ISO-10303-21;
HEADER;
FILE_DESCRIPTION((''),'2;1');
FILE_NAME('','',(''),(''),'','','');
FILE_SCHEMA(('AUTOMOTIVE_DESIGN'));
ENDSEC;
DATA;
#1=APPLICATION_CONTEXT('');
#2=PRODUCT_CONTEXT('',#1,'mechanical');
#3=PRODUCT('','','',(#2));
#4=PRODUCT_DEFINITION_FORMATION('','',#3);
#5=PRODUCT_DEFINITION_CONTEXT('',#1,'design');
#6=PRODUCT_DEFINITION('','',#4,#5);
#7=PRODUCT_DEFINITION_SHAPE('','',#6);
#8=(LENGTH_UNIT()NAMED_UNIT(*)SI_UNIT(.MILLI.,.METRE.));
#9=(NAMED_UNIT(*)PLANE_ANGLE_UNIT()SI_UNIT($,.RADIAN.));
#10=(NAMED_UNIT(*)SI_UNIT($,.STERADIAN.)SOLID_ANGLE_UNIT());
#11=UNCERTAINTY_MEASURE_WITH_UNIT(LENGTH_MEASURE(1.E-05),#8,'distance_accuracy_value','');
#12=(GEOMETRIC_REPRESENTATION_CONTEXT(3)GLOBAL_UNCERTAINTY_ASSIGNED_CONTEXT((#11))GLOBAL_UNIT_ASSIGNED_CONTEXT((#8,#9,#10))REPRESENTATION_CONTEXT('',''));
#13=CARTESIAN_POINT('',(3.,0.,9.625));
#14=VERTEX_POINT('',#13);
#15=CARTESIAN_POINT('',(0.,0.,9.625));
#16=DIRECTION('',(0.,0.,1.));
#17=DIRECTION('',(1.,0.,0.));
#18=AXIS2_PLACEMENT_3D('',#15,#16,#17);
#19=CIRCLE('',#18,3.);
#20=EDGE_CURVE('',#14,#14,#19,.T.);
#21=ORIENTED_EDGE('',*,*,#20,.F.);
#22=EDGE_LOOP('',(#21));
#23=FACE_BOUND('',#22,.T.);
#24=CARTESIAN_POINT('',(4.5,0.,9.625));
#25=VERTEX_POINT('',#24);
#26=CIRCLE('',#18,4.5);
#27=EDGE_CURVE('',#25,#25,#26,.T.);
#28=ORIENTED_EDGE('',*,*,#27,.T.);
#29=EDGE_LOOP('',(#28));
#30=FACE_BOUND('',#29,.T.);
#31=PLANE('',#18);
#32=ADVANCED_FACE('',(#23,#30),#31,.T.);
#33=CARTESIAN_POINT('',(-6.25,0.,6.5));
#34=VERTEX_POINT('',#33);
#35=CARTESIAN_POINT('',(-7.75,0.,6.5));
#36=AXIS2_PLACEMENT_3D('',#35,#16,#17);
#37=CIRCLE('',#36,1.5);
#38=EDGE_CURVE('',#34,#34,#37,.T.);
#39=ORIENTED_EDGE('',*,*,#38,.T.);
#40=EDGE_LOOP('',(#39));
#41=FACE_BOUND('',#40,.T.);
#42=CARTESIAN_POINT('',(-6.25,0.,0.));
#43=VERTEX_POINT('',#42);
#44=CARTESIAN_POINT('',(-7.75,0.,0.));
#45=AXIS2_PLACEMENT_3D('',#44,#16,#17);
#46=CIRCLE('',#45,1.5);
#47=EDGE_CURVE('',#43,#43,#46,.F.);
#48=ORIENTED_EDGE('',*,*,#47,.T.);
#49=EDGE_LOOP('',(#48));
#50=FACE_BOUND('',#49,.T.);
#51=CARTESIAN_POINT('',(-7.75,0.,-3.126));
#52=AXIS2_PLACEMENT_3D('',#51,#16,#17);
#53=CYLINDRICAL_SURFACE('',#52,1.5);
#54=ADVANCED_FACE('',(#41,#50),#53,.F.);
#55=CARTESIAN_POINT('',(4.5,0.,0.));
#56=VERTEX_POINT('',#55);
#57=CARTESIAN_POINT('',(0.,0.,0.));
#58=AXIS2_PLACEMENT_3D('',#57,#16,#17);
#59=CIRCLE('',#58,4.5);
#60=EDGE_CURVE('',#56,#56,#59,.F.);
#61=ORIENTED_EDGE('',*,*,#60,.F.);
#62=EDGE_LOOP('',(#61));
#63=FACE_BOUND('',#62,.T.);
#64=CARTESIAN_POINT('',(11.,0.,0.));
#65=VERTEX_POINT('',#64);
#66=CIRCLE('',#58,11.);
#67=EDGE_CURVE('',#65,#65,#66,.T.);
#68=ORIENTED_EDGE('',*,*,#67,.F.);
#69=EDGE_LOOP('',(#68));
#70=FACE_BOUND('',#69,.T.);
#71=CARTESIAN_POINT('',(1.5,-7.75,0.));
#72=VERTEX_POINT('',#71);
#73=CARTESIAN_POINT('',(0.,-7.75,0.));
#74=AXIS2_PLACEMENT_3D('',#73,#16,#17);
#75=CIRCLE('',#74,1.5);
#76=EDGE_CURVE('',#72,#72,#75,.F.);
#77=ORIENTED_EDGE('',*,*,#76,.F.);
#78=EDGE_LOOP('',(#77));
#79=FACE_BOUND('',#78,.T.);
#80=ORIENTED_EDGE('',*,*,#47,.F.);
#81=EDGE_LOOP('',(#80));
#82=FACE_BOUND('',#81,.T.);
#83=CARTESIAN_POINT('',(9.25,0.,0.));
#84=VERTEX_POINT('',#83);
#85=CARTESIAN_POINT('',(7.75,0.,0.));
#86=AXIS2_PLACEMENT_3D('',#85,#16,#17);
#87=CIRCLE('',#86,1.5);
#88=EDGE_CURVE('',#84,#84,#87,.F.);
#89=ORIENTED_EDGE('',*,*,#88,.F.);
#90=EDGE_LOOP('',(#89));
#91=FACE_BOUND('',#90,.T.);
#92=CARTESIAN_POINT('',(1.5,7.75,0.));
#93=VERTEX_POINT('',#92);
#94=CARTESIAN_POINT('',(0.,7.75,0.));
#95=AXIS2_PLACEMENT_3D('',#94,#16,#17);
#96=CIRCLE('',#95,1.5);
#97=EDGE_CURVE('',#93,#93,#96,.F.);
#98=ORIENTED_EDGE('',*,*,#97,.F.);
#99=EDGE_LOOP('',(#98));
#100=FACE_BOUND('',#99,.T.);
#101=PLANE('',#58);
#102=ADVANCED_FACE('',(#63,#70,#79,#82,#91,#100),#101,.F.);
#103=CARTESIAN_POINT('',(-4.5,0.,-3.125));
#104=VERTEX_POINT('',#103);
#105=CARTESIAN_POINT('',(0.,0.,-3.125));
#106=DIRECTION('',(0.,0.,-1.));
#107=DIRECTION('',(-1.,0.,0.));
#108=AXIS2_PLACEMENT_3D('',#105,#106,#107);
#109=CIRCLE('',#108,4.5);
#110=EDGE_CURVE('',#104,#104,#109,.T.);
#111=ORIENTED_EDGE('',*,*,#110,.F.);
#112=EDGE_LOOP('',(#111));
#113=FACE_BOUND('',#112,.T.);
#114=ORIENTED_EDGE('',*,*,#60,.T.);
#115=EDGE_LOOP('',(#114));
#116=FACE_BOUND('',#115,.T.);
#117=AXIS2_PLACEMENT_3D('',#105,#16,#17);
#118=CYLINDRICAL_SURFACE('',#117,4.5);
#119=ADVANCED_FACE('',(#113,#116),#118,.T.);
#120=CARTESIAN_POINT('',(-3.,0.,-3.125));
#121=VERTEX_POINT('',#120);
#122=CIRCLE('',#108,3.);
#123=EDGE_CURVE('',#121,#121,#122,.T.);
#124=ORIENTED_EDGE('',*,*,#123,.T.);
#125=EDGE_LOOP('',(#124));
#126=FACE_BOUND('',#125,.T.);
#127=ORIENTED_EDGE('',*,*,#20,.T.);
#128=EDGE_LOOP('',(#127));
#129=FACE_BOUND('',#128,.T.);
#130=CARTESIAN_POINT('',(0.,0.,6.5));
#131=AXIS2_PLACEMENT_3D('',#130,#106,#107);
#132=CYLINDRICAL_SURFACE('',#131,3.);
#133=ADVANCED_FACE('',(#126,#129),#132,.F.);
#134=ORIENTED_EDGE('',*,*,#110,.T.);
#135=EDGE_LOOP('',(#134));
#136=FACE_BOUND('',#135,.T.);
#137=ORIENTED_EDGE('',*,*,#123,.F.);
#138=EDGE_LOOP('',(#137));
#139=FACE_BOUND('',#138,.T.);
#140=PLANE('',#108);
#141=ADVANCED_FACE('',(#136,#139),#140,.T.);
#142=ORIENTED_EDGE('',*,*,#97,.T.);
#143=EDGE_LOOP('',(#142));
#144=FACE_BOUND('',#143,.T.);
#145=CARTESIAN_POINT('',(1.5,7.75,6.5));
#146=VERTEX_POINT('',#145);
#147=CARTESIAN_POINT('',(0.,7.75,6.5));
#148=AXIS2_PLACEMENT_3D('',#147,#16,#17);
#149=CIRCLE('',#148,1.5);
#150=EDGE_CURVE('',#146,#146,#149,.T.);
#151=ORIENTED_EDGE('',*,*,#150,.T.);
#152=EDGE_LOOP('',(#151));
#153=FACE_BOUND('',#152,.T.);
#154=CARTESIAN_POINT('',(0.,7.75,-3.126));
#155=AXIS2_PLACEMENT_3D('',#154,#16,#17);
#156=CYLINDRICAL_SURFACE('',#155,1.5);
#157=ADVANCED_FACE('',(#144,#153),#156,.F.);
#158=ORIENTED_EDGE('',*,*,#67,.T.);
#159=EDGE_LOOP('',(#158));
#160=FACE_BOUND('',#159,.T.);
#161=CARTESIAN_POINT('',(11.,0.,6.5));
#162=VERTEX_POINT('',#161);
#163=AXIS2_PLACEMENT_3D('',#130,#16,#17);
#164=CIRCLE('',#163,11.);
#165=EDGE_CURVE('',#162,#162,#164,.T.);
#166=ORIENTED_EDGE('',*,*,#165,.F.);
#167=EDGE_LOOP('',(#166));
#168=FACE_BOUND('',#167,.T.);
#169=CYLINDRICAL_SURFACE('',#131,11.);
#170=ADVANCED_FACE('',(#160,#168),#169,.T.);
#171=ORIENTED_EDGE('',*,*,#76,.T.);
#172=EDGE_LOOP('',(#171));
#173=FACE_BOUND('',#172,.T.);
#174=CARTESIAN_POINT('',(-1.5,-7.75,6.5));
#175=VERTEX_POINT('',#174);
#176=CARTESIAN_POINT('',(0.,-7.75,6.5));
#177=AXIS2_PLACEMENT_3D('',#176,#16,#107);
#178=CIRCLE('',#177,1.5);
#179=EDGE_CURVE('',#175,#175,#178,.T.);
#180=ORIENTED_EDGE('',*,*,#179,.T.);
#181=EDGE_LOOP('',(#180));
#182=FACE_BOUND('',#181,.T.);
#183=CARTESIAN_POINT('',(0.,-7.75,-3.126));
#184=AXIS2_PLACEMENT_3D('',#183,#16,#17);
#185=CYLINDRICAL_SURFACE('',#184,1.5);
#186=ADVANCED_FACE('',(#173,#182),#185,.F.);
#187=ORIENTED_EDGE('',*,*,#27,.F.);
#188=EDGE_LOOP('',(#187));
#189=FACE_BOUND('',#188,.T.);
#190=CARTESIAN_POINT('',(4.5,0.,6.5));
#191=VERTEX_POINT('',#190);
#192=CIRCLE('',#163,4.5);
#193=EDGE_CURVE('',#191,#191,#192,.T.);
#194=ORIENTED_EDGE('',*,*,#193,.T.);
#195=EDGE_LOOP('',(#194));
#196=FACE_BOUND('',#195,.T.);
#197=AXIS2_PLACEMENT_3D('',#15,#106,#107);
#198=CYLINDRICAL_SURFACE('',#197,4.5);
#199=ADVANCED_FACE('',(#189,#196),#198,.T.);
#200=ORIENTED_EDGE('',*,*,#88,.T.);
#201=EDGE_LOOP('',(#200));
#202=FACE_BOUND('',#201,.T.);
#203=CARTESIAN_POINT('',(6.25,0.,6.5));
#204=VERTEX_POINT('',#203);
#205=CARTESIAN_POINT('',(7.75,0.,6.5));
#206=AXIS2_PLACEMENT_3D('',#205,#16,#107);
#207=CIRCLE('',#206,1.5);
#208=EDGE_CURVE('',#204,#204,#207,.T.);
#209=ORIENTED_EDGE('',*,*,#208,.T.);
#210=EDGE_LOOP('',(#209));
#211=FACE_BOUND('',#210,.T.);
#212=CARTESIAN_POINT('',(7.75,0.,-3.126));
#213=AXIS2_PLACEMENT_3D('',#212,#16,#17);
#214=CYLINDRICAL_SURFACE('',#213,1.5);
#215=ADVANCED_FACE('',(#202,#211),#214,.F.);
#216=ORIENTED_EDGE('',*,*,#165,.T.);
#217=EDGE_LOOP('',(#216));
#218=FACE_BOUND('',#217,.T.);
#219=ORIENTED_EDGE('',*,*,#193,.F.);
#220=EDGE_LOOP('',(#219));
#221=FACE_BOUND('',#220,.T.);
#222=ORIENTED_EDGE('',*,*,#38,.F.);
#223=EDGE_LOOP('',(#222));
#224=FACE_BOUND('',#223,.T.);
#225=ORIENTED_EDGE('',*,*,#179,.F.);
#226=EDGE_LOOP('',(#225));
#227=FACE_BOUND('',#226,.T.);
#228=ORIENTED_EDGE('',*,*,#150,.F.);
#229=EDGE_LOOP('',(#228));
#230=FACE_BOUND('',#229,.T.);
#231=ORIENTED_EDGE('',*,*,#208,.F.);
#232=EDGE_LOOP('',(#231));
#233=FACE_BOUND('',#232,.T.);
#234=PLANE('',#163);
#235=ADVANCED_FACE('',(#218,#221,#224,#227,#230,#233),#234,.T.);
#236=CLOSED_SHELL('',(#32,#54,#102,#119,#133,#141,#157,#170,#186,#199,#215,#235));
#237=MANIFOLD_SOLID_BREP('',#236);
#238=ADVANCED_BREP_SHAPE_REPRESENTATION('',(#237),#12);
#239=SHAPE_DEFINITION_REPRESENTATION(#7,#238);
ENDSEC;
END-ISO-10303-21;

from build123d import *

# Parameters (mm, degrees)
ESQUISSE1_R             = 11
ESQUISSE1_R_2           = 3
EXTRUSION1_DEPTH        = 6.5
ESQUISSE3_R             = 4.5
ESQUISSE3_R_2           = 3
EXTRUSION2_DEPTH        = 3.125
ESQUISSE4_R             = 4.5
ESQUISSE4_R_2           = 3
EXTRUSION3_DEPTH        = 3.125
ENL_V_MAT_EXTRU_1_REACH = 11.625
ESQUISSE5_R             = 1.5


with BuildPart() as part:
    # Esquisse1 → Extrusion1 (new body)
    with BuildSketch(Plane.XY):
        Circle(ESQUISSE1_R)
        Circle(ESQUISSE1_R_2, mode=Mode.SUBTRACT)
    extrude(amount=EXTRUSION1_DEPTH)

    # Esquisse3 → Extrusion2 (add)
    with BuildSketch(Plane.XY.offset(6.5)):
        Circle(ESQUISSE3_R)
        Circle(ESQUISSE3_R_2, mode=Mode.SUBTRACT)
    extrude(amount=EXTRUSION2_DEPTH)

    # Esquisse4 → Extrusion3 (add)
    with BuildSketch(Plane(origin=(0, 0, 0), x_dir=(-1, 0, 0), z_dir=(0, 0, -1))):
        Circle(ESQUISSE4_R)
        Circle(ESQUISSE4_R_2, mode=Mode.SUBTRACT)
    extrude(amount=EXTRUSION3_DEPTH)

    # Esquisse5 → Enlèv. mat.-Extru.1 (cut, up to next)
    with BuildSketch(Plane.XY.offset(6.5), mode=Mode.PRIVATE) as enl_v_mat_extru_1_sk1:
        with Locations((0, 7.75)):
            Circle(ESQUISSE5_R)
    enl_v_mat_extru_1_tool1 = extrude(enl_v_mat_extru_1_sk1.sketch, amount=-ENL_V_MAT_EXTRU_1_REACH, mode=Mode.PRIVATE) & part.part
    add(enl_v_mat_extru_1_tool1.solids().sort_by_distance((0, 7.75, 6.5))[0], mode=Mode.SUBTRACT)
    # Esquisse5 → Enlèv. mat.-Extru.1 (cut, up to next)
    with BuildSketch(Plane.XY.offset(6.5), mode=Mode.PRIVATE) as enl_v_mat_extru_1_sk2:
        with Locations((0, -7.75)):
            Circle(ESQUISSE5_R)
    enl_v_mat_extru_1_tool2 = extrude(enl_v_mat_extru_1_sk2.sketch, amount=-ENL_V_MAT_EXTRU_1_REACH, mode=Mode.PRIVATE) & part.part
    add(enl_v_mat_extru_1_tool2.solids().sort_by_distance((0, -7.75, 6.5))[0], mode=Mode.SUBTRACT)
    # Esquisse5 → Enlèv. mat.-Extru.1 (cut, up to next)
    with BuildSketch(Plane.XY.offset(6.5), mode=Mode.PRIVATE) as enl_v_mat_extru_1_sk3:
        with Locations((-7.75, 0)):
            Circle(ESQUISSE5_R)
    enl_v_mat_extru_1_tool3 = extrude(enl_v_mat_extru_1_sk3.sketch, amount=-ENL_V_MAT_EXTRU_1_REACH, mode=Mode.PRIVATE) & part.part
    add(enl_v_mat_extru_1_tool3.solids().sort_by_distance((-7.75, 0, 6.5))[0], mode=Mode.SUBTRACT)
    # Esquisse5 → Enlèv. mat.-Extru.1 (cut, up to next)
    with BuildSketch(Plane.XY.offset(6.5), mode=Mode.PRIVATE) as enl_v_mat_extru_1_sk4:
        with Locations((7.75, 0)):
            Circle(ESQUISSE5_R)
    enl_v_mat_extru_1_tool4 = extrude(enl_v_mat_extru_1_sk4.sketch, amount=-ENL_V_MAT_EXTRU_1_REACH, mode=Mode.PRIVATE) & part.part
    add(enl_v_mat_extru_1_tool4.solids().sort_by_distance((7.75, 0, 6.5))[0], mode=Mode.SUBTRACT)


solid = part.part
